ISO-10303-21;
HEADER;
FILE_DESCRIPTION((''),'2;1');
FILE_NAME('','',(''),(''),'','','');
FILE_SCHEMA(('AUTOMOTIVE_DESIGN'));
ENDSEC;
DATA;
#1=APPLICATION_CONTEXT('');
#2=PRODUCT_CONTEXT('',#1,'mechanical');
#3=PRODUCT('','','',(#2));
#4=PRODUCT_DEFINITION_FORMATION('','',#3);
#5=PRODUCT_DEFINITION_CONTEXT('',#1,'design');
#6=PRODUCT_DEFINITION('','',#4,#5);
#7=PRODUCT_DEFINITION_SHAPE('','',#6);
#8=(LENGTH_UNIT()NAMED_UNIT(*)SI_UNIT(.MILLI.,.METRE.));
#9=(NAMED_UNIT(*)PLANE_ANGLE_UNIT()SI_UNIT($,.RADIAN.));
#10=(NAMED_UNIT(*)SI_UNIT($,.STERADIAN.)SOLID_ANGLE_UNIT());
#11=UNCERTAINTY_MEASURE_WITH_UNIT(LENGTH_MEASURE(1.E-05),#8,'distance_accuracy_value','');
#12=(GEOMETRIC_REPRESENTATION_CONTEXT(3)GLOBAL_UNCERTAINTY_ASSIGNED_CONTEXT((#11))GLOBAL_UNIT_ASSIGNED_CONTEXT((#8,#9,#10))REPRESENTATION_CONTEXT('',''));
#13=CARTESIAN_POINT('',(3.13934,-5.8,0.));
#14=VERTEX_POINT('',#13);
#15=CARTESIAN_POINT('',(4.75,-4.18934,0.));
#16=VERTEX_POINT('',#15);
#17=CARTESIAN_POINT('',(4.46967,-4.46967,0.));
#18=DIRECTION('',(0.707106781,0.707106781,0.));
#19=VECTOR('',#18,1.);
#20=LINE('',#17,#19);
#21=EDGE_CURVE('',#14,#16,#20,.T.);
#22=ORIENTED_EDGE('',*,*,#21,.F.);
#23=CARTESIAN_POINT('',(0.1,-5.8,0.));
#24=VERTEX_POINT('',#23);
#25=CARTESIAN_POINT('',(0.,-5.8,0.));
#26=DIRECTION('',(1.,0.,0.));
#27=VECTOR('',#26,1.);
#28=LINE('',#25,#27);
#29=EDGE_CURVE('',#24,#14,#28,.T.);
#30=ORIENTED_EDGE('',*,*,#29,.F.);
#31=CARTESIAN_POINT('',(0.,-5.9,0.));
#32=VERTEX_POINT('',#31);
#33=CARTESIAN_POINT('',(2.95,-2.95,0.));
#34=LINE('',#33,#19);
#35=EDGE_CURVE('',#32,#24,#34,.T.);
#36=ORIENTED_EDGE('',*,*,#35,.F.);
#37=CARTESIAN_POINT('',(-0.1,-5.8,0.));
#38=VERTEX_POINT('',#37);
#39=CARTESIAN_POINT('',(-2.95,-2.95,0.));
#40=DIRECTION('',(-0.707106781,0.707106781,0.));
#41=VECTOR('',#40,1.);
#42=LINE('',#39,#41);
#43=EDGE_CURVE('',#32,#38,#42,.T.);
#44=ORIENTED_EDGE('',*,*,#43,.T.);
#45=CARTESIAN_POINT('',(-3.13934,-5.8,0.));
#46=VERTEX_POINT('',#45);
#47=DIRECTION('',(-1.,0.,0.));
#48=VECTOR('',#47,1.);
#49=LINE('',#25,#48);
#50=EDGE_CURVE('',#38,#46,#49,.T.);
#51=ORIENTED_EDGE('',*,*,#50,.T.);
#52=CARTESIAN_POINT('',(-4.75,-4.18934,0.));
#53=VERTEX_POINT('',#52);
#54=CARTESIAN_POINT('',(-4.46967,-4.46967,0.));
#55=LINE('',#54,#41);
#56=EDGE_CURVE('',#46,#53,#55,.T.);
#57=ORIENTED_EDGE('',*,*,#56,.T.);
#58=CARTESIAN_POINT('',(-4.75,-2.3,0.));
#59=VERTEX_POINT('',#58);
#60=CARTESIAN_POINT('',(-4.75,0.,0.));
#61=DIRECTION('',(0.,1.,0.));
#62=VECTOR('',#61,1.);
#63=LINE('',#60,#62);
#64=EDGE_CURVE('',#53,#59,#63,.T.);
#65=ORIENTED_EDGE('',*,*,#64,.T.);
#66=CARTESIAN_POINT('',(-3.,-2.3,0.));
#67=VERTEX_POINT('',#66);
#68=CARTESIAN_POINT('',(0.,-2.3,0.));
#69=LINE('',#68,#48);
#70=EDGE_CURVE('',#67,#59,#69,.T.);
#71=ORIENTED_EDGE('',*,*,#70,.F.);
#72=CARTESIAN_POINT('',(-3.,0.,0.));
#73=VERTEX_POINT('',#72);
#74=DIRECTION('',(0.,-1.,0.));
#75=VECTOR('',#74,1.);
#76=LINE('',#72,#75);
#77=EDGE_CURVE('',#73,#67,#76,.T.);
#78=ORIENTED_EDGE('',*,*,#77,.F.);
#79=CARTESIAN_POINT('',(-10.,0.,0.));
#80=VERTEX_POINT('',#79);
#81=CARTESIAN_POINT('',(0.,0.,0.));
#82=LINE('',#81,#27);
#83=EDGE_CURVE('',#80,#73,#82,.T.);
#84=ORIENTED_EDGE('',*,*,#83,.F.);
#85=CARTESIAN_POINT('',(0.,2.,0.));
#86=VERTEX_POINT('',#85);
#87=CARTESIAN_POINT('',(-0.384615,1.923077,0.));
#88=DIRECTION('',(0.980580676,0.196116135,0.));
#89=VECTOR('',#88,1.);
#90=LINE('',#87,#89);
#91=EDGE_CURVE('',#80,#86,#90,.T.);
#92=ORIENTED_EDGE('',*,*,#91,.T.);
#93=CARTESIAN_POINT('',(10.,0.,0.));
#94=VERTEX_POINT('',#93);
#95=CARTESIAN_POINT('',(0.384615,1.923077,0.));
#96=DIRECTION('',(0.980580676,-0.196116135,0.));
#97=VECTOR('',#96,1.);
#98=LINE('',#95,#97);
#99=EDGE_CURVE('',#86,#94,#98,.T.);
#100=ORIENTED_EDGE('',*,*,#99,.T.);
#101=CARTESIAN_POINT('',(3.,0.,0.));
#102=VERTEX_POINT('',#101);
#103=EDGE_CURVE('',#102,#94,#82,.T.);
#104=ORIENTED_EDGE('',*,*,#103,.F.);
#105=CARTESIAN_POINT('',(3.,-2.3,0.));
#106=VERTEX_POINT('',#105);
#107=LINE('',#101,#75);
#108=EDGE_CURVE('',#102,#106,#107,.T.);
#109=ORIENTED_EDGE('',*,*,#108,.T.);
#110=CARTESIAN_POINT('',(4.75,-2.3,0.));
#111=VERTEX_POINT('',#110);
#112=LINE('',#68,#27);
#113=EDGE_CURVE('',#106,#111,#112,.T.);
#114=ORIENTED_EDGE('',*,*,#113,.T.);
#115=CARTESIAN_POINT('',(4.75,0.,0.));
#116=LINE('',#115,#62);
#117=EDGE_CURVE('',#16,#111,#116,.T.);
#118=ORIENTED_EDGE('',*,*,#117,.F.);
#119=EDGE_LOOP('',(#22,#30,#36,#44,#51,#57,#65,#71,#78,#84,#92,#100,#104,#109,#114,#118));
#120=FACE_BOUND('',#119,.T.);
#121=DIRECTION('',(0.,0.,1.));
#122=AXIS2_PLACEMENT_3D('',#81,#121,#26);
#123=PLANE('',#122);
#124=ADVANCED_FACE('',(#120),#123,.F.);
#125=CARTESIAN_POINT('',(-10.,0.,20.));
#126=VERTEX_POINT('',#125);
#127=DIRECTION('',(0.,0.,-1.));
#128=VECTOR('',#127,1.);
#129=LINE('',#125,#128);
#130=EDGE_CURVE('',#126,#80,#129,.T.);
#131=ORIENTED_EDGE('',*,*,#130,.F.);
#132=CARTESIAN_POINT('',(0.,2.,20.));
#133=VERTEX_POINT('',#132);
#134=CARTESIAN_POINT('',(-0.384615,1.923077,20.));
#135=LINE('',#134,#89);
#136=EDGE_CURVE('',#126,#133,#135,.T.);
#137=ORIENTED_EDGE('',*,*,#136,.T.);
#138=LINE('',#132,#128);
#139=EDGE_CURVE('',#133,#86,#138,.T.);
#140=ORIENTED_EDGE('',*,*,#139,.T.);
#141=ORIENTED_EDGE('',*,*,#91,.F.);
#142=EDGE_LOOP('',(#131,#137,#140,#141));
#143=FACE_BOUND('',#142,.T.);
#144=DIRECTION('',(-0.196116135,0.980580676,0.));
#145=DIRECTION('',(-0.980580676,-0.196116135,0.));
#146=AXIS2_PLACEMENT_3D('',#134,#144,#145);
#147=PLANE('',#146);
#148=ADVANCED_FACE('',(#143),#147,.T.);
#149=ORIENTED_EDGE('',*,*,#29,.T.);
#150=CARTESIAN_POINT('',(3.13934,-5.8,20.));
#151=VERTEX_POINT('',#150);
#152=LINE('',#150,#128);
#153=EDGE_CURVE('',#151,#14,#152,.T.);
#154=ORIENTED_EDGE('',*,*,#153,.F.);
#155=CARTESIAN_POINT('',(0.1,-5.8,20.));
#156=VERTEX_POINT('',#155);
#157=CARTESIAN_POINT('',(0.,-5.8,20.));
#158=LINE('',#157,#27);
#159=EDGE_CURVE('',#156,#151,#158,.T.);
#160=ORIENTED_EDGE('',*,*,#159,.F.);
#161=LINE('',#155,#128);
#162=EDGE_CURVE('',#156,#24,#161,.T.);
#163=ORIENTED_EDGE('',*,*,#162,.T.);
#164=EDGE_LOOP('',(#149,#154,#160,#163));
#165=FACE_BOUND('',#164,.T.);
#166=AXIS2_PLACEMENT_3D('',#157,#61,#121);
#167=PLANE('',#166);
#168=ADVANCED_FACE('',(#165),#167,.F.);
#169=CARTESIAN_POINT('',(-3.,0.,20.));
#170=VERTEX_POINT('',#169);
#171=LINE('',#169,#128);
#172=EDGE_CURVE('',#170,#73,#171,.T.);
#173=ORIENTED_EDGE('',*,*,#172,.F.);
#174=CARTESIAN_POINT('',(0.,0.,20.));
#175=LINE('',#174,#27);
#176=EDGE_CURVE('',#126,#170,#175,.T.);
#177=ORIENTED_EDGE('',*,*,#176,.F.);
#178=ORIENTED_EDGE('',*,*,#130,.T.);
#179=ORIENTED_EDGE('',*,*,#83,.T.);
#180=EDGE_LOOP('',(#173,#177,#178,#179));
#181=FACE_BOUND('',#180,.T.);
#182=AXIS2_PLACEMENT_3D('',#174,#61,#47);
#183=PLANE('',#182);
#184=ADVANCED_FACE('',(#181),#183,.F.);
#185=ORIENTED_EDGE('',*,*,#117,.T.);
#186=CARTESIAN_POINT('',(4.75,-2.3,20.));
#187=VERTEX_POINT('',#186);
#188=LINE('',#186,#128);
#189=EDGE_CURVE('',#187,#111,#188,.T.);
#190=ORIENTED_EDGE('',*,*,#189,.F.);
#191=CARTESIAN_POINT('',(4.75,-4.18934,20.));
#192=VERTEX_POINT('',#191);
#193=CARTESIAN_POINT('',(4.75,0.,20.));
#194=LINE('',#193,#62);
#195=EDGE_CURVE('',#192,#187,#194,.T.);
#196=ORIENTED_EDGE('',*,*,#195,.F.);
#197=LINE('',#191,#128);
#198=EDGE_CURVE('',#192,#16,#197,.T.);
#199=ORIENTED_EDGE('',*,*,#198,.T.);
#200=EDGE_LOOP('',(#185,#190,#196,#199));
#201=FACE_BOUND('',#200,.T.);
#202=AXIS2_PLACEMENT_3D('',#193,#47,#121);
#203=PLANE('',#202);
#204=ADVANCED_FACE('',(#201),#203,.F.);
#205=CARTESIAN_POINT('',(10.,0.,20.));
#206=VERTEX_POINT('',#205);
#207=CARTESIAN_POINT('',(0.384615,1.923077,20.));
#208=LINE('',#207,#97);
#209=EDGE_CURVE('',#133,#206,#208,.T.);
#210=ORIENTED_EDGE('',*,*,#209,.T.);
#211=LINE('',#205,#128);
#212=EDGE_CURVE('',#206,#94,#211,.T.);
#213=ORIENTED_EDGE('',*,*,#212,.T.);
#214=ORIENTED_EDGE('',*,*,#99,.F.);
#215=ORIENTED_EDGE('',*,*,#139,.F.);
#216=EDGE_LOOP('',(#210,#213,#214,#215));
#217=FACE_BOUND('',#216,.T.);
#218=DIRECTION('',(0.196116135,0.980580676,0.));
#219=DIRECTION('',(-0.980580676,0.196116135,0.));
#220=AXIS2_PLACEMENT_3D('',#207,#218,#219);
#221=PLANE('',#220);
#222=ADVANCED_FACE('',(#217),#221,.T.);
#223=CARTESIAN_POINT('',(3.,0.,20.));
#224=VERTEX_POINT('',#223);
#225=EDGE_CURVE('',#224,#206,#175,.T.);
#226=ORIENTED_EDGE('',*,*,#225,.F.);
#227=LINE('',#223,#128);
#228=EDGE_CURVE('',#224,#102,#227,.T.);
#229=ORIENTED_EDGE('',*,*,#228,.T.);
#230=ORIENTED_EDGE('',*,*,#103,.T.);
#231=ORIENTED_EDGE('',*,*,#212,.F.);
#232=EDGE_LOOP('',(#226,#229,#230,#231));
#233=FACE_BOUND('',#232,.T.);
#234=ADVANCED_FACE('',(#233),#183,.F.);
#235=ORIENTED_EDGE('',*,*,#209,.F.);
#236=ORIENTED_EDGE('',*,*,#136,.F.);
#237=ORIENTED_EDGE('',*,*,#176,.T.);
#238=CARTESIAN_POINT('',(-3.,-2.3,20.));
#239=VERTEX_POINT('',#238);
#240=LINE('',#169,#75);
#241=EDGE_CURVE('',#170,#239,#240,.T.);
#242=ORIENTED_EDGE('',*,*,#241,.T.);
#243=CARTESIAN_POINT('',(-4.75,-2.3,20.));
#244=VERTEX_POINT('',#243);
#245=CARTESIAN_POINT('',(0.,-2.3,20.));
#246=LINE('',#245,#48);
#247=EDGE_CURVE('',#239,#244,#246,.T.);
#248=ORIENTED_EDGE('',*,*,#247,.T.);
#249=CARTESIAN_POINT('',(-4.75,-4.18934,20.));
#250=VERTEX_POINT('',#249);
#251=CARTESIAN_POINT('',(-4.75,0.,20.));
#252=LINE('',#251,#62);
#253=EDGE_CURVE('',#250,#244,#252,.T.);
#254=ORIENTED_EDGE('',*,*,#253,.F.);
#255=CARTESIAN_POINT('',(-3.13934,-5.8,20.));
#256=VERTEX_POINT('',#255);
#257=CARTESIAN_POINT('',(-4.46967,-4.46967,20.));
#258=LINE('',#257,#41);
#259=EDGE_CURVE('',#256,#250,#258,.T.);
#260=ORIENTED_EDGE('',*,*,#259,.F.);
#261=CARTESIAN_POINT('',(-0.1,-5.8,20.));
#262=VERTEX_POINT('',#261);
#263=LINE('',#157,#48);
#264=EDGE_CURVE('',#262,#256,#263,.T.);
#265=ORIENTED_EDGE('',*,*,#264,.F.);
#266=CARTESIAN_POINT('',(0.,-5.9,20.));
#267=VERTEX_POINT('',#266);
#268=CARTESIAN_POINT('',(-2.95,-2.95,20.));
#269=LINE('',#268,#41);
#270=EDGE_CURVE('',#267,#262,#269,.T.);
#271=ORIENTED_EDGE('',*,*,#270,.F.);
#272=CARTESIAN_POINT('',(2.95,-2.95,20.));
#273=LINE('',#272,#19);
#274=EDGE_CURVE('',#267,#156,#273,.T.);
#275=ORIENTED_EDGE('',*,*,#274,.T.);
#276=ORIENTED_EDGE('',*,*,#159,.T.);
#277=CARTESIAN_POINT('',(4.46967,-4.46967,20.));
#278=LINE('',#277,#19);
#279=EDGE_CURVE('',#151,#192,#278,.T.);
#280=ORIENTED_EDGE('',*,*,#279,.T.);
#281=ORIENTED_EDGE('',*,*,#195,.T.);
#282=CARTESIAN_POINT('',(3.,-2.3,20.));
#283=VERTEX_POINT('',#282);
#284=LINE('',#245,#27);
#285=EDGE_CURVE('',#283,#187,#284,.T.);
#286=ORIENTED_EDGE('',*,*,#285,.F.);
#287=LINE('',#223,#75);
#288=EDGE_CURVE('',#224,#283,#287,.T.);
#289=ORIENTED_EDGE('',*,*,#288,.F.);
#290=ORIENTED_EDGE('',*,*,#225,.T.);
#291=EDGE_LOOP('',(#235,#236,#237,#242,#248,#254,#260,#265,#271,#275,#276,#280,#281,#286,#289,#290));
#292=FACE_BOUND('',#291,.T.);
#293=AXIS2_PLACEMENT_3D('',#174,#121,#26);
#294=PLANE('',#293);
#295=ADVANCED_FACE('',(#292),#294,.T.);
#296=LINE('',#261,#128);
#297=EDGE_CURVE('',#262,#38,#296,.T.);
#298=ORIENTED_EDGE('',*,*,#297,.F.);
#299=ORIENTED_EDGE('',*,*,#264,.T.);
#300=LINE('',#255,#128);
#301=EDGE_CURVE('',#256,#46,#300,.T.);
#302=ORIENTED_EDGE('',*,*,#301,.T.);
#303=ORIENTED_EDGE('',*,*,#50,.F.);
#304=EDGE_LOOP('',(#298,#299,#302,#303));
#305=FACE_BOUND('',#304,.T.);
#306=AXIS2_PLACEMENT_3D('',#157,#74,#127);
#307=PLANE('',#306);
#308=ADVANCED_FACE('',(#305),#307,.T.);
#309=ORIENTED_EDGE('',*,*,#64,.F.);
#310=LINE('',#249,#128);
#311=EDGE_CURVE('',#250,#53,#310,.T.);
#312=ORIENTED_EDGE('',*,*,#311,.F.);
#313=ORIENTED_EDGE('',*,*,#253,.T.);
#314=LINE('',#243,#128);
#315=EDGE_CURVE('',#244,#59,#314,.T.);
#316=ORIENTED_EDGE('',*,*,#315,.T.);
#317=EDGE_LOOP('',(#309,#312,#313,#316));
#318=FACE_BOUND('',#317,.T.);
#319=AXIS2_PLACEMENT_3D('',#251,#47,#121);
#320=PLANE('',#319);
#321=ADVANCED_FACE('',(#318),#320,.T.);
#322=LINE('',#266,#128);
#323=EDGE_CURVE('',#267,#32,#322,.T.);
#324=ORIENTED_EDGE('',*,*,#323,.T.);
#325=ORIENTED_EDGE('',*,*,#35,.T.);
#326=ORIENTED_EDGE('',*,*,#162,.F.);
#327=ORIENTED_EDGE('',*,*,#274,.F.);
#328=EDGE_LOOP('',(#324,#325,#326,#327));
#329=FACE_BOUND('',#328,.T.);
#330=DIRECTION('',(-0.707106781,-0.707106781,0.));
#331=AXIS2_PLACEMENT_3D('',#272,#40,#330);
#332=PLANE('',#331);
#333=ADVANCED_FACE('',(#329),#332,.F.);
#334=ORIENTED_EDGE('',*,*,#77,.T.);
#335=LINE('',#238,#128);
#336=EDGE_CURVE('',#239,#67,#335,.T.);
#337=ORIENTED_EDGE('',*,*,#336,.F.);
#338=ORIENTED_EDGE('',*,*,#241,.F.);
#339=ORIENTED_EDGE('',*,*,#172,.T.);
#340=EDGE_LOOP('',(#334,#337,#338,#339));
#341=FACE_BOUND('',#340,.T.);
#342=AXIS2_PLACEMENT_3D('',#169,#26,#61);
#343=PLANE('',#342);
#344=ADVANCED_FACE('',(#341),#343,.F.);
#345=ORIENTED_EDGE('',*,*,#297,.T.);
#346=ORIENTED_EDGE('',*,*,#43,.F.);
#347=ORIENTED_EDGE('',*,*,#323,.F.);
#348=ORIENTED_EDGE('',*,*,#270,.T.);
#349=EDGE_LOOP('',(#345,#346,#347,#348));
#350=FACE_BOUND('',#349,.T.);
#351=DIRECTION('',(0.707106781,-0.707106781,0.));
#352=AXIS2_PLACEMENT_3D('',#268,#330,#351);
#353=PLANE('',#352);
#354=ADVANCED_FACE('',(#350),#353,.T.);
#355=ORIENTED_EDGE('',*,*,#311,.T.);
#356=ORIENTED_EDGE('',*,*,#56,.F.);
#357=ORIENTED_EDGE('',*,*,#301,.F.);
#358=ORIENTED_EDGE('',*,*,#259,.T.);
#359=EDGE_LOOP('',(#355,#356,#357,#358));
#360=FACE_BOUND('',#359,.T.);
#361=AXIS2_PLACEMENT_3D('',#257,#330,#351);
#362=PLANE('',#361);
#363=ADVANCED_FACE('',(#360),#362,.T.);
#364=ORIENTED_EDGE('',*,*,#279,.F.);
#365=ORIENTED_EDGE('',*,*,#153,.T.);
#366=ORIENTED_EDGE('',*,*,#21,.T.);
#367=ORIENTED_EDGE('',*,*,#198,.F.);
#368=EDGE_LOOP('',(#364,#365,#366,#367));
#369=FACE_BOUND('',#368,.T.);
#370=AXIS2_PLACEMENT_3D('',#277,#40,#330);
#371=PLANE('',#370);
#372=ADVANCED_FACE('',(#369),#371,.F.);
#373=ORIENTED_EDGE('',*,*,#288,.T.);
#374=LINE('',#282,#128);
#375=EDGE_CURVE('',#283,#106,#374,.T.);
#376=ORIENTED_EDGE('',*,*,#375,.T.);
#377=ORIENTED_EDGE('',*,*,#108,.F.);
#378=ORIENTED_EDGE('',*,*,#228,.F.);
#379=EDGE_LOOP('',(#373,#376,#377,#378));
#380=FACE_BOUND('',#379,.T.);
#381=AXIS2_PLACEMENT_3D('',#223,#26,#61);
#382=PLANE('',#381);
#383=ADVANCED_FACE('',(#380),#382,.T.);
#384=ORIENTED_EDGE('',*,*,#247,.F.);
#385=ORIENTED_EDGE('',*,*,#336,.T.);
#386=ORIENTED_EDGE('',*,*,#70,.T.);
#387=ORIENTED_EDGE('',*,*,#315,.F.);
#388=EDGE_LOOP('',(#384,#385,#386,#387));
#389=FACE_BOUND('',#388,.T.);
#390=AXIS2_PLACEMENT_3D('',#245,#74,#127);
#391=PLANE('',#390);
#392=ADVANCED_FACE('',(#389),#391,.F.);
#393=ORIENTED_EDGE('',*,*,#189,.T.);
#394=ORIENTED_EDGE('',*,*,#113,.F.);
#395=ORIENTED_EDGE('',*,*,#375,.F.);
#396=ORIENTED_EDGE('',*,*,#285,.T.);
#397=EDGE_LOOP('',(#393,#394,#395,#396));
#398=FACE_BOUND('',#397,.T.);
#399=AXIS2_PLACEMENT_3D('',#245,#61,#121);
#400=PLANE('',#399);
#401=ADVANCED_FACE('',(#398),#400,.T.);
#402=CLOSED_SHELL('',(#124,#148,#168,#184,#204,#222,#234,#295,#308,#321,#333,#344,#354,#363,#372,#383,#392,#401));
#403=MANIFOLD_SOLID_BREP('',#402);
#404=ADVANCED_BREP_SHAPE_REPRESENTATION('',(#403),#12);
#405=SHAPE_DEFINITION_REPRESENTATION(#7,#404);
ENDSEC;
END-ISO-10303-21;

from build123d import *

# Parameters (mm, degrees)
BOSS_EXTRUDE1_DEPTH = 20


with BuildPart() as part:
    # Sketch1 → Boss-Extrude1 (new body)
    with BuildSketch(Plane.XY):
        Polygon((0, 2), (-10, 0), (-4.75, 0), (-3, 0), (0, 0), align=None)
        Polygon((0, 0), (-3, 0), (-3, -1.75), (-3, -1.8), (-3, -2.3), (-4.75, -2.3), (-4.75, -4.189339828), (-3.139339828, -5.8), (-0.1, -5.8), (0, -5.9), (0.1, -5.8), (3.139339828, -5.8), (4.75, -4.189339828), (4.75, -2.3), (3, -2.3), (3, -1.8), (3, -1.75), (3, 0), align=None)
        Polygon((10, 0), (0, 2), (0, 0), (3, 0), (4.75, 0), align=None)
    extrude(amount=BOSS_EXTRUDE1_DEPTH)


solid = part.part
